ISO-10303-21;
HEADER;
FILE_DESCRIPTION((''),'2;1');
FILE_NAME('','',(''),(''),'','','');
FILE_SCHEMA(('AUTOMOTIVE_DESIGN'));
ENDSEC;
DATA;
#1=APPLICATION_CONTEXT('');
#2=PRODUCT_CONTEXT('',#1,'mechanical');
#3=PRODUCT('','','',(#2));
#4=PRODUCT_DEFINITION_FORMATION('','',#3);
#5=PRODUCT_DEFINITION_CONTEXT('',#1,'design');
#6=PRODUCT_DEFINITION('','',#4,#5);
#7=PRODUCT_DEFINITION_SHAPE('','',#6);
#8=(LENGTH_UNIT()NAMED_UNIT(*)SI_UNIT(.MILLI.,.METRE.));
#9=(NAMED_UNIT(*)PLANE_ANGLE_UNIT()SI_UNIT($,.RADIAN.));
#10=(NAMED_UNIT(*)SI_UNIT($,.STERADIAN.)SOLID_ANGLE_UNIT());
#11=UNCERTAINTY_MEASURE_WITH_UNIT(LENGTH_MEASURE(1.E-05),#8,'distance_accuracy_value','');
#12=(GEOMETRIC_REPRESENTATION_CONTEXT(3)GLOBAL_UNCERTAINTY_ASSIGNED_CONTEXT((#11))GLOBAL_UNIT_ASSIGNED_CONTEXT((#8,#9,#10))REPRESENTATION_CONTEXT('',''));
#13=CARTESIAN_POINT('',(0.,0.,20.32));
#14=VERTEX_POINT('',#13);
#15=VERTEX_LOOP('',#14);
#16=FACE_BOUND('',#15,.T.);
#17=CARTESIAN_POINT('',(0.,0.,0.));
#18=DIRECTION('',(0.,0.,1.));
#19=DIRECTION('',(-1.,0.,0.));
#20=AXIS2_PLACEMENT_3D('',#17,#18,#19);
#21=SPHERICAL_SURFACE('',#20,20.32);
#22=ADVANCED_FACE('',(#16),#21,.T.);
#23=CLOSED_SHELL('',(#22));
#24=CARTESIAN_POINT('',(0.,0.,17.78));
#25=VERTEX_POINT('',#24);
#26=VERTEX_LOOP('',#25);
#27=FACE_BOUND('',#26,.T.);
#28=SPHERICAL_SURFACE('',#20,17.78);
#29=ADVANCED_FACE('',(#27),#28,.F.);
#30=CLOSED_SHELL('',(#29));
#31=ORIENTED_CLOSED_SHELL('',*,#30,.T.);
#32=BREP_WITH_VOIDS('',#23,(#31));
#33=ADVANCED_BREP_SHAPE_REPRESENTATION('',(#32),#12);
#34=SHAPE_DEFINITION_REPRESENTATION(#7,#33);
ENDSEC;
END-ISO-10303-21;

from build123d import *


with BuildPart() as part:
    # Sketch2 → Revolve-Thin1 (revolve)
    with BuildSketch(Plane(origin=(0, 0, 0), x_dir=(1, 0, 0), z_dir=(0, 1, 0))):
        with BuildLine():
            ThreePointArc((0, -20.32), (-20.32, 0), (0, 20.32))
            Line((0, 20.32), (0, 17.78))
            ThreePointArc((0, 17.78), (-17.78, 0), (0, -17.78))
            Line((0, -17.78), (0, -20.32))
        make_face()
    revolve(axis=Axis((0, 0, 1000), (0, 0, -1)))


solid = part.part
